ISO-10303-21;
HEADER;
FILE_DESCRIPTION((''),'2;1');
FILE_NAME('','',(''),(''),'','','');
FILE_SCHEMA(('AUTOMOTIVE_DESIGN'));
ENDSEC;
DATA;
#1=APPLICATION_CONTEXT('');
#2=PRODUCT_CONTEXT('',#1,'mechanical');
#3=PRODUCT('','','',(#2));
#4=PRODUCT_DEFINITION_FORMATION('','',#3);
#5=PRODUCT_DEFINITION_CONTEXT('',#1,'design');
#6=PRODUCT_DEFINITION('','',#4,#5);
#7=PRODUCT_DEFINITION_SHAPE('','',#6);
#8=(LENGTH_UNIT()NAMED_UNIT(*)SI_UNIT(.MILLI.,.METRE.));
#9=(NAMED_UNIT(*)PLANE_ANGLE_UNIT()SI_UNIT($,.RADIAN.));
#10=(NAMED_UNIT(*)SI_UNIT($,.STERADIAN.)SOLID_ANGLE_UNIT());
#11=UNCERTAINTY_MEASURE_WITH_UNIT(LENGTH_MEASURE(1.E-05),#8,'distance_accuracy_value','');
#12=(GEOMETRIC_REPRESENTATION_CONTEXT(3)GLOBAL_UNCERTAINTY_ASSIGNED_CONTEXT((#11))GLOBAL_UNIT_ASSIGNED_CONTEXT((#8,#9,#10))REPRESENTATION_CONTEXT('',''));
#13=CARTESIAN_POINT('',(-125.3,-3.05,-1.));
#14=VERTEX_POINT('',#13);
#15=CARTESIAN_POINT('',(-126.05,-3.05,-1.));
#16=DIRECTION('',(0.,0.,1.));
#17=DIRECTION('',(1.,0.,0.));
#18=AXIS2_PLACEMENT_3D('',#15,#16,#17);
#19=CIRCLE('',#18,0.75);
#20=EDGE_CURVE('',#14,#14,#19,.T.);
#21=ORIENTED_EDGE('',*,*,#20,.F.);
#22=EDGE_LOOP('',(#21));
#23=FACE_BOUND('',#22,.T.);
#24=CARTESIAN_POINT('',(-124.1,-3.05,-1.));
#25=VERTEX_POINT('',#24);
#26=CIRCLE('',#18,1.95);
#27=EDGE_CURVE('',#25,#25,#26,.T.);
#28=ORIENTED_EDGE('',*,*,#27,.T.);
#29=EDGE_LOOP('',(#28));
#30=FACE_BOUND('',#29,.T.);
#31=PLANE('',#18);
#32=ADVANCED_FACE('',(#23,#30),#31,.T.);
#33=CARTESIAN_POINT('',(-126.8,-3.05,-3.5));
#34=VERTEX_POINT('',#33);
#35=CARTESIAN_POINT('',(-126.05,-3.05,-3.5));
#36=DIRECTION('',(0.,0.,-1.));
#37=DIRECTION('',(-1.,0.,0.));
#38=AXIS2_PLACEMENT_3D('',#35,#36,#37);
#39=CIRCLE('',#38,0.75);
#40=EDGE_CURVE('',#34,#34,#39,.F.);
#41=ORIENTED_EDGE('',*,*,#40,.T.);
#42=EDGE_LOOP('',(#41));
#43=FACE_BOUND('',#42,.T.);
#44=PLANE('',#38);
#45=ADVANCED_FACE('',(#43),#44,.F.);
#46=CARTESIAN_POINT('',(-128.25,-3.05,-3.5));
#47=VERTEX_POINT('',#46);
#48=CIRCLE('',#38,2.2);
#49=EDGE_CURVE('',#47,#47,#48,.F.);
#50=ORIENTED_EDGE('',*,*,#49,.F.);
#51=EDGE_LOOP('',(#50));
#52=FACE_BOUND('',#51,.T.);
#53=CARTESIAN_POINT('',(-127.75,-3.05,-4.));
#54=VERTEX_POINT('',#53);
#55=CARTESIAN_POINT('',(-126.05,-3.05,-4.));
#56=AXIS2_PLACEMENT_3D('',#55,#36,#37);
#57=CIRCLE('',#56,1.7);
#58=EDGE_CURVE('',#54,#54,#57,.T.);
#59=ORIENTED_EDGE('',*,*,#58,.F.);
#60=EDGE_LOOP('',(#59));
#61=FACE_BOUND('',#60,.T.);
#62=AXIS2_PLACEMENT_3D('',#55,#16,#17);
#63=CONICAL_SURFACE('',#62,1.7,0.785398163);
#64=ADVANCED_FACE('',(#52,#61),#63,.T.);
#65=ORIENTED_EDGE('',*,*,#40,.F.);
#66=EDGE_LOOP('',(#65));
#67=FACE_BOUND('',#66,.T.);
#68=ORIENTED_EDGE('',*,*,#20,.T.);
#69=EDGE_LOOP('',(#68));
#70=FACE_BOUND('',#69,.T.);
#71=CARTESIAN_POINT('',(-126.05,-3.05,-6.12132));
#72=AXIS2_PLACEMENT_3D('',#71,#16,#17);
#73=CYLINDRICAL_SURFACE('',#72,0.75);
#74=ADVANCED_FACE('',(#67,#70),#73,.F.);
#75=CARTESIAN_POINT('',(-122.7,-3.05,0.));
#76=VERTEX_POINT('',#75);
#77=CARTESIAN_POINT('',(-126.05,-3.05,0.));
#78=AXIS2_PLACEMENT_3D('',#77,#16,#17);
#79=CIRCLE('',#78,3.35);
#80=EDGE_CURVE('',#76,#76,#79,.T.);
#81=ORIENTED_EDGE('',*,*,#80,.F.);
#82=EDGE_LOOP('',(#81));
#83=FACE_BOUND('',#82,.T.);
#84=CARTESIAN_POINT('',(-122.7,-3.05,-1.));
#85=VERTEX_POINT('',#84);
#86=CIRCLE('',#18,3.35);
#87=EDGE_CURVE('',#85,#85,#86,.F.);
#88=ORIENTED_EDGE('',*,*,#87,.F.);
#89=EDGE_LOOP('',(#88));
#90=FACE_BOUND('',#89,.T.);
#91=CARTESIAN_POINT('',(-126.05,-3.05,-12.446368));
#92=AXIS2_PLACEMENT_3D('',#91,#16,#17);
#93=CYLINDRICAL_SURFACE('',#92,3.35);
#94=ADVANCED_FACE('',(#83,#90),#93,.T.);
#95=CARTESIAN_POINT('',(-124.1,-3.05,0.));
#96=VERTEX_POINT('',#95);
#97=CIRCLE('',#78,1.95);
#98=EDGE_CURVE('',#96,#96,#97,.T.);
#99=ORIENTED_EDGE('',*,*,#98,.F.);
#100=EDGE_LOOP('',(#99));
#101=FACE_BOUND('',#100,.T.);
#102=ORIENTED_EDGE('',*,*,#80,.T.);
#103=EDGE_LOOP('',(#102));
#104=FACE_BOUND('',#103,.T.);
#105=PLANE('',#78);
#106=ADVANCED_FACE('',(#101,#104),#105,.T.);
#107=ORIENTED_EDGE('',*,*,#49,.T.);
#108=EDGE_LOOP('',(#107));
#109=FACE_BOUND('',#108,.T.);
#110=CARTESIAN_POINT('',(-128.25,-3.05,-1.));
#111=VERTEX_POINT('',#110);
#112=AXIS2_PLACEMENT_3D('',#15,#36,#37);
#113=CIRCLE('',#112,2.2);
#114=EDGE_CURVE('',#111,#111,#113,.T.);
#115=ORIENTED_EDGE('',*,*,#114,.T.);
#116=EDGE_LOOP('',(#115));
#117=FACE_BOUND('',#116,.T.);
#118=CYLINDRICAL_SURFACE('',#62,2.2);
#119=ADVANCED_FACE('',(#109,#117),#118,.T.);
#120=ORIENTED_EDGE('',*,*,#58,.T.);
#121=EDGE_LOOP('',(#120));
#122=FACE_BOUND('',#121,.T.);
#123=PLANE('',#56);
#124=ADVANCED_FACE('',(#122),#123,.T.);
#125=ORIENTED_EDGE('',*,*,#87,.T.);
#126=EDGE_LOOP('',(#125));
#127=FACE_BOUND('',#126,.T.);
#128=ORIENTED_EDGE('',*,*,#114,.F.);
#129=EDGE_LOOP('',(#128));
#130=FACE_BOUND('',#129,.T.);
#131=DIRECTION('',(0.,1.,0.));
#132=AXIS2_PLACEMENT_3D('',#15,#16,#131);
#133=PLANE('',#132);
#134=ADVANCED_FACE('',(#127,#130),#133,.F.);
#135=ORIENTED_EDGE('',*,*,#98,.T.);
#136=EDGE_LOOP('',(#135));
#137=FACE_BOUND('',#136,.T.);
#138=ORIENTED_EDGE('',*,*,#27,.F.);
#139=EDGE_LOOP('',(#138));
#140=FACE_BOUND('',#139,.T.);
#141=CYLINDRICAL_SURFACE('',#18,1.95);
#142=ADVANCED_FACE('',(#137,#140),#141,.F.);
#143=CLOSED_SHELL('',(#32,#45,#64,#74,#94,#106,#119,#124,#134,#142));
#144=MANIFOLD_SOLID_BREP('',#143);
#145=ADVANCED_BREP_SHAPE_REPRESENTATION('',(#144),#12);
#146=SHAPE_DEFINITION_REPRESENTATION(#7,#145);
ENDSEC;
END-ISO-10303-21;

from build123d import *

# Parameters (mm, degrees)
BOSS_EXTRUDE1_DEPTH = 1
SKETCH2_R           = 2.2
BOSS_EXTRUDE2_DEPTH = 3
CHAMFER1_SIZE       = 0.5
SKETCH4_R           = 1.95
CUT_EXTRUDE1_DEPTH  = 1
SKETCH5_R           = 0.75
CUT_EXTRUDE2_DEPTH  = 2.5
SKETCH6_R           = 6.375289794
SKETCH6_R_2         = 3.35
CUT_EXTRUDE3_DEPTH  = 133.169724505


with BuildPart() as part:
    # Sketch1 → Boss-Extrude1 (new body)
    with BuildSketch(Plane.XY):
        with BuildLine():
            Line((-129.242211844, -2.033986447), (-131.980589769, -2.033986447))
            Line((-131.980589769, -2.033986447), (-131.980589769, -4.066013553))
            Line((-131.980589769, -4.066013553), (-129.242211844, -4.066013553))
            ThreePointArc((-129.242211844, -4.066013553), (-122.699999999, -3.05), (-129.242211844, -2.033986447))
        make_face()
    extrude(amount=-BOSS_EXTRUDE1_DEPTH)

    # Sketch2 → Boss-Extrude2 (add)
    with BuildSketch(Plane(origin=(0, 0, -1), x_dir=(-1, 0, 0), z_dir=(0, 0, -1))):
        with Locations((126.049999999, -3.05)):
            Circle(SKETCH2_R)
    extrude(amount=BOSS_EXTRUDE2_DEPTH)

    # Chamfer1
    chamfer1_edges = [part.edges().sort_by_distance(p)[0] for p in [
        (-123.849999999, -3.05, -4),
    ]]
    chamfer(chamfer1_edges, length=CHAMFER1_SIZE)

    # Sketch4 → Cut-Extrude1 (cut)
    with BuildSketch(Plane.XY):
        with Locations((-126.049999999, -3.05)):
            Circle(SKETCH4_R)
    extrude(amount=-CUT_EXTRUDE1_DEPTH, mode=Mode.SUBTRACT)

    # Sketch5 → Cut-Extrude2 (cut)
    with BuildSketch(Plane.XY.offset(-1)):
        with Locations((-126.049999999, -3.05)):
            Circle(SKETCH5_R)
    extrude(amount=-CUT_EXTRUDE2_DEPTH, mode=Mode.SUBTRACT)

    # Sketch6 → Cut-Extrude3 (cut, through all)
    with BuildSketch(Plane(origin=(0, 0, -1), x_dir=(-1, 0, 0), z_dir=(0, 0, -1))):
        with Locations((126.049999999, -3.05)):
            Circle(SKETCH6_R)
        with Locations(Location((126.049999999, -3.05, 0), (0, 0, 180))):
            Circle(SKETCH6_R_2, mode=Mode.SUBTRACT)
    extrude(amount=-CUT_EXTRUDE3_DEPTH, mode=Mode.SUBTRACT)


solid = part.part
